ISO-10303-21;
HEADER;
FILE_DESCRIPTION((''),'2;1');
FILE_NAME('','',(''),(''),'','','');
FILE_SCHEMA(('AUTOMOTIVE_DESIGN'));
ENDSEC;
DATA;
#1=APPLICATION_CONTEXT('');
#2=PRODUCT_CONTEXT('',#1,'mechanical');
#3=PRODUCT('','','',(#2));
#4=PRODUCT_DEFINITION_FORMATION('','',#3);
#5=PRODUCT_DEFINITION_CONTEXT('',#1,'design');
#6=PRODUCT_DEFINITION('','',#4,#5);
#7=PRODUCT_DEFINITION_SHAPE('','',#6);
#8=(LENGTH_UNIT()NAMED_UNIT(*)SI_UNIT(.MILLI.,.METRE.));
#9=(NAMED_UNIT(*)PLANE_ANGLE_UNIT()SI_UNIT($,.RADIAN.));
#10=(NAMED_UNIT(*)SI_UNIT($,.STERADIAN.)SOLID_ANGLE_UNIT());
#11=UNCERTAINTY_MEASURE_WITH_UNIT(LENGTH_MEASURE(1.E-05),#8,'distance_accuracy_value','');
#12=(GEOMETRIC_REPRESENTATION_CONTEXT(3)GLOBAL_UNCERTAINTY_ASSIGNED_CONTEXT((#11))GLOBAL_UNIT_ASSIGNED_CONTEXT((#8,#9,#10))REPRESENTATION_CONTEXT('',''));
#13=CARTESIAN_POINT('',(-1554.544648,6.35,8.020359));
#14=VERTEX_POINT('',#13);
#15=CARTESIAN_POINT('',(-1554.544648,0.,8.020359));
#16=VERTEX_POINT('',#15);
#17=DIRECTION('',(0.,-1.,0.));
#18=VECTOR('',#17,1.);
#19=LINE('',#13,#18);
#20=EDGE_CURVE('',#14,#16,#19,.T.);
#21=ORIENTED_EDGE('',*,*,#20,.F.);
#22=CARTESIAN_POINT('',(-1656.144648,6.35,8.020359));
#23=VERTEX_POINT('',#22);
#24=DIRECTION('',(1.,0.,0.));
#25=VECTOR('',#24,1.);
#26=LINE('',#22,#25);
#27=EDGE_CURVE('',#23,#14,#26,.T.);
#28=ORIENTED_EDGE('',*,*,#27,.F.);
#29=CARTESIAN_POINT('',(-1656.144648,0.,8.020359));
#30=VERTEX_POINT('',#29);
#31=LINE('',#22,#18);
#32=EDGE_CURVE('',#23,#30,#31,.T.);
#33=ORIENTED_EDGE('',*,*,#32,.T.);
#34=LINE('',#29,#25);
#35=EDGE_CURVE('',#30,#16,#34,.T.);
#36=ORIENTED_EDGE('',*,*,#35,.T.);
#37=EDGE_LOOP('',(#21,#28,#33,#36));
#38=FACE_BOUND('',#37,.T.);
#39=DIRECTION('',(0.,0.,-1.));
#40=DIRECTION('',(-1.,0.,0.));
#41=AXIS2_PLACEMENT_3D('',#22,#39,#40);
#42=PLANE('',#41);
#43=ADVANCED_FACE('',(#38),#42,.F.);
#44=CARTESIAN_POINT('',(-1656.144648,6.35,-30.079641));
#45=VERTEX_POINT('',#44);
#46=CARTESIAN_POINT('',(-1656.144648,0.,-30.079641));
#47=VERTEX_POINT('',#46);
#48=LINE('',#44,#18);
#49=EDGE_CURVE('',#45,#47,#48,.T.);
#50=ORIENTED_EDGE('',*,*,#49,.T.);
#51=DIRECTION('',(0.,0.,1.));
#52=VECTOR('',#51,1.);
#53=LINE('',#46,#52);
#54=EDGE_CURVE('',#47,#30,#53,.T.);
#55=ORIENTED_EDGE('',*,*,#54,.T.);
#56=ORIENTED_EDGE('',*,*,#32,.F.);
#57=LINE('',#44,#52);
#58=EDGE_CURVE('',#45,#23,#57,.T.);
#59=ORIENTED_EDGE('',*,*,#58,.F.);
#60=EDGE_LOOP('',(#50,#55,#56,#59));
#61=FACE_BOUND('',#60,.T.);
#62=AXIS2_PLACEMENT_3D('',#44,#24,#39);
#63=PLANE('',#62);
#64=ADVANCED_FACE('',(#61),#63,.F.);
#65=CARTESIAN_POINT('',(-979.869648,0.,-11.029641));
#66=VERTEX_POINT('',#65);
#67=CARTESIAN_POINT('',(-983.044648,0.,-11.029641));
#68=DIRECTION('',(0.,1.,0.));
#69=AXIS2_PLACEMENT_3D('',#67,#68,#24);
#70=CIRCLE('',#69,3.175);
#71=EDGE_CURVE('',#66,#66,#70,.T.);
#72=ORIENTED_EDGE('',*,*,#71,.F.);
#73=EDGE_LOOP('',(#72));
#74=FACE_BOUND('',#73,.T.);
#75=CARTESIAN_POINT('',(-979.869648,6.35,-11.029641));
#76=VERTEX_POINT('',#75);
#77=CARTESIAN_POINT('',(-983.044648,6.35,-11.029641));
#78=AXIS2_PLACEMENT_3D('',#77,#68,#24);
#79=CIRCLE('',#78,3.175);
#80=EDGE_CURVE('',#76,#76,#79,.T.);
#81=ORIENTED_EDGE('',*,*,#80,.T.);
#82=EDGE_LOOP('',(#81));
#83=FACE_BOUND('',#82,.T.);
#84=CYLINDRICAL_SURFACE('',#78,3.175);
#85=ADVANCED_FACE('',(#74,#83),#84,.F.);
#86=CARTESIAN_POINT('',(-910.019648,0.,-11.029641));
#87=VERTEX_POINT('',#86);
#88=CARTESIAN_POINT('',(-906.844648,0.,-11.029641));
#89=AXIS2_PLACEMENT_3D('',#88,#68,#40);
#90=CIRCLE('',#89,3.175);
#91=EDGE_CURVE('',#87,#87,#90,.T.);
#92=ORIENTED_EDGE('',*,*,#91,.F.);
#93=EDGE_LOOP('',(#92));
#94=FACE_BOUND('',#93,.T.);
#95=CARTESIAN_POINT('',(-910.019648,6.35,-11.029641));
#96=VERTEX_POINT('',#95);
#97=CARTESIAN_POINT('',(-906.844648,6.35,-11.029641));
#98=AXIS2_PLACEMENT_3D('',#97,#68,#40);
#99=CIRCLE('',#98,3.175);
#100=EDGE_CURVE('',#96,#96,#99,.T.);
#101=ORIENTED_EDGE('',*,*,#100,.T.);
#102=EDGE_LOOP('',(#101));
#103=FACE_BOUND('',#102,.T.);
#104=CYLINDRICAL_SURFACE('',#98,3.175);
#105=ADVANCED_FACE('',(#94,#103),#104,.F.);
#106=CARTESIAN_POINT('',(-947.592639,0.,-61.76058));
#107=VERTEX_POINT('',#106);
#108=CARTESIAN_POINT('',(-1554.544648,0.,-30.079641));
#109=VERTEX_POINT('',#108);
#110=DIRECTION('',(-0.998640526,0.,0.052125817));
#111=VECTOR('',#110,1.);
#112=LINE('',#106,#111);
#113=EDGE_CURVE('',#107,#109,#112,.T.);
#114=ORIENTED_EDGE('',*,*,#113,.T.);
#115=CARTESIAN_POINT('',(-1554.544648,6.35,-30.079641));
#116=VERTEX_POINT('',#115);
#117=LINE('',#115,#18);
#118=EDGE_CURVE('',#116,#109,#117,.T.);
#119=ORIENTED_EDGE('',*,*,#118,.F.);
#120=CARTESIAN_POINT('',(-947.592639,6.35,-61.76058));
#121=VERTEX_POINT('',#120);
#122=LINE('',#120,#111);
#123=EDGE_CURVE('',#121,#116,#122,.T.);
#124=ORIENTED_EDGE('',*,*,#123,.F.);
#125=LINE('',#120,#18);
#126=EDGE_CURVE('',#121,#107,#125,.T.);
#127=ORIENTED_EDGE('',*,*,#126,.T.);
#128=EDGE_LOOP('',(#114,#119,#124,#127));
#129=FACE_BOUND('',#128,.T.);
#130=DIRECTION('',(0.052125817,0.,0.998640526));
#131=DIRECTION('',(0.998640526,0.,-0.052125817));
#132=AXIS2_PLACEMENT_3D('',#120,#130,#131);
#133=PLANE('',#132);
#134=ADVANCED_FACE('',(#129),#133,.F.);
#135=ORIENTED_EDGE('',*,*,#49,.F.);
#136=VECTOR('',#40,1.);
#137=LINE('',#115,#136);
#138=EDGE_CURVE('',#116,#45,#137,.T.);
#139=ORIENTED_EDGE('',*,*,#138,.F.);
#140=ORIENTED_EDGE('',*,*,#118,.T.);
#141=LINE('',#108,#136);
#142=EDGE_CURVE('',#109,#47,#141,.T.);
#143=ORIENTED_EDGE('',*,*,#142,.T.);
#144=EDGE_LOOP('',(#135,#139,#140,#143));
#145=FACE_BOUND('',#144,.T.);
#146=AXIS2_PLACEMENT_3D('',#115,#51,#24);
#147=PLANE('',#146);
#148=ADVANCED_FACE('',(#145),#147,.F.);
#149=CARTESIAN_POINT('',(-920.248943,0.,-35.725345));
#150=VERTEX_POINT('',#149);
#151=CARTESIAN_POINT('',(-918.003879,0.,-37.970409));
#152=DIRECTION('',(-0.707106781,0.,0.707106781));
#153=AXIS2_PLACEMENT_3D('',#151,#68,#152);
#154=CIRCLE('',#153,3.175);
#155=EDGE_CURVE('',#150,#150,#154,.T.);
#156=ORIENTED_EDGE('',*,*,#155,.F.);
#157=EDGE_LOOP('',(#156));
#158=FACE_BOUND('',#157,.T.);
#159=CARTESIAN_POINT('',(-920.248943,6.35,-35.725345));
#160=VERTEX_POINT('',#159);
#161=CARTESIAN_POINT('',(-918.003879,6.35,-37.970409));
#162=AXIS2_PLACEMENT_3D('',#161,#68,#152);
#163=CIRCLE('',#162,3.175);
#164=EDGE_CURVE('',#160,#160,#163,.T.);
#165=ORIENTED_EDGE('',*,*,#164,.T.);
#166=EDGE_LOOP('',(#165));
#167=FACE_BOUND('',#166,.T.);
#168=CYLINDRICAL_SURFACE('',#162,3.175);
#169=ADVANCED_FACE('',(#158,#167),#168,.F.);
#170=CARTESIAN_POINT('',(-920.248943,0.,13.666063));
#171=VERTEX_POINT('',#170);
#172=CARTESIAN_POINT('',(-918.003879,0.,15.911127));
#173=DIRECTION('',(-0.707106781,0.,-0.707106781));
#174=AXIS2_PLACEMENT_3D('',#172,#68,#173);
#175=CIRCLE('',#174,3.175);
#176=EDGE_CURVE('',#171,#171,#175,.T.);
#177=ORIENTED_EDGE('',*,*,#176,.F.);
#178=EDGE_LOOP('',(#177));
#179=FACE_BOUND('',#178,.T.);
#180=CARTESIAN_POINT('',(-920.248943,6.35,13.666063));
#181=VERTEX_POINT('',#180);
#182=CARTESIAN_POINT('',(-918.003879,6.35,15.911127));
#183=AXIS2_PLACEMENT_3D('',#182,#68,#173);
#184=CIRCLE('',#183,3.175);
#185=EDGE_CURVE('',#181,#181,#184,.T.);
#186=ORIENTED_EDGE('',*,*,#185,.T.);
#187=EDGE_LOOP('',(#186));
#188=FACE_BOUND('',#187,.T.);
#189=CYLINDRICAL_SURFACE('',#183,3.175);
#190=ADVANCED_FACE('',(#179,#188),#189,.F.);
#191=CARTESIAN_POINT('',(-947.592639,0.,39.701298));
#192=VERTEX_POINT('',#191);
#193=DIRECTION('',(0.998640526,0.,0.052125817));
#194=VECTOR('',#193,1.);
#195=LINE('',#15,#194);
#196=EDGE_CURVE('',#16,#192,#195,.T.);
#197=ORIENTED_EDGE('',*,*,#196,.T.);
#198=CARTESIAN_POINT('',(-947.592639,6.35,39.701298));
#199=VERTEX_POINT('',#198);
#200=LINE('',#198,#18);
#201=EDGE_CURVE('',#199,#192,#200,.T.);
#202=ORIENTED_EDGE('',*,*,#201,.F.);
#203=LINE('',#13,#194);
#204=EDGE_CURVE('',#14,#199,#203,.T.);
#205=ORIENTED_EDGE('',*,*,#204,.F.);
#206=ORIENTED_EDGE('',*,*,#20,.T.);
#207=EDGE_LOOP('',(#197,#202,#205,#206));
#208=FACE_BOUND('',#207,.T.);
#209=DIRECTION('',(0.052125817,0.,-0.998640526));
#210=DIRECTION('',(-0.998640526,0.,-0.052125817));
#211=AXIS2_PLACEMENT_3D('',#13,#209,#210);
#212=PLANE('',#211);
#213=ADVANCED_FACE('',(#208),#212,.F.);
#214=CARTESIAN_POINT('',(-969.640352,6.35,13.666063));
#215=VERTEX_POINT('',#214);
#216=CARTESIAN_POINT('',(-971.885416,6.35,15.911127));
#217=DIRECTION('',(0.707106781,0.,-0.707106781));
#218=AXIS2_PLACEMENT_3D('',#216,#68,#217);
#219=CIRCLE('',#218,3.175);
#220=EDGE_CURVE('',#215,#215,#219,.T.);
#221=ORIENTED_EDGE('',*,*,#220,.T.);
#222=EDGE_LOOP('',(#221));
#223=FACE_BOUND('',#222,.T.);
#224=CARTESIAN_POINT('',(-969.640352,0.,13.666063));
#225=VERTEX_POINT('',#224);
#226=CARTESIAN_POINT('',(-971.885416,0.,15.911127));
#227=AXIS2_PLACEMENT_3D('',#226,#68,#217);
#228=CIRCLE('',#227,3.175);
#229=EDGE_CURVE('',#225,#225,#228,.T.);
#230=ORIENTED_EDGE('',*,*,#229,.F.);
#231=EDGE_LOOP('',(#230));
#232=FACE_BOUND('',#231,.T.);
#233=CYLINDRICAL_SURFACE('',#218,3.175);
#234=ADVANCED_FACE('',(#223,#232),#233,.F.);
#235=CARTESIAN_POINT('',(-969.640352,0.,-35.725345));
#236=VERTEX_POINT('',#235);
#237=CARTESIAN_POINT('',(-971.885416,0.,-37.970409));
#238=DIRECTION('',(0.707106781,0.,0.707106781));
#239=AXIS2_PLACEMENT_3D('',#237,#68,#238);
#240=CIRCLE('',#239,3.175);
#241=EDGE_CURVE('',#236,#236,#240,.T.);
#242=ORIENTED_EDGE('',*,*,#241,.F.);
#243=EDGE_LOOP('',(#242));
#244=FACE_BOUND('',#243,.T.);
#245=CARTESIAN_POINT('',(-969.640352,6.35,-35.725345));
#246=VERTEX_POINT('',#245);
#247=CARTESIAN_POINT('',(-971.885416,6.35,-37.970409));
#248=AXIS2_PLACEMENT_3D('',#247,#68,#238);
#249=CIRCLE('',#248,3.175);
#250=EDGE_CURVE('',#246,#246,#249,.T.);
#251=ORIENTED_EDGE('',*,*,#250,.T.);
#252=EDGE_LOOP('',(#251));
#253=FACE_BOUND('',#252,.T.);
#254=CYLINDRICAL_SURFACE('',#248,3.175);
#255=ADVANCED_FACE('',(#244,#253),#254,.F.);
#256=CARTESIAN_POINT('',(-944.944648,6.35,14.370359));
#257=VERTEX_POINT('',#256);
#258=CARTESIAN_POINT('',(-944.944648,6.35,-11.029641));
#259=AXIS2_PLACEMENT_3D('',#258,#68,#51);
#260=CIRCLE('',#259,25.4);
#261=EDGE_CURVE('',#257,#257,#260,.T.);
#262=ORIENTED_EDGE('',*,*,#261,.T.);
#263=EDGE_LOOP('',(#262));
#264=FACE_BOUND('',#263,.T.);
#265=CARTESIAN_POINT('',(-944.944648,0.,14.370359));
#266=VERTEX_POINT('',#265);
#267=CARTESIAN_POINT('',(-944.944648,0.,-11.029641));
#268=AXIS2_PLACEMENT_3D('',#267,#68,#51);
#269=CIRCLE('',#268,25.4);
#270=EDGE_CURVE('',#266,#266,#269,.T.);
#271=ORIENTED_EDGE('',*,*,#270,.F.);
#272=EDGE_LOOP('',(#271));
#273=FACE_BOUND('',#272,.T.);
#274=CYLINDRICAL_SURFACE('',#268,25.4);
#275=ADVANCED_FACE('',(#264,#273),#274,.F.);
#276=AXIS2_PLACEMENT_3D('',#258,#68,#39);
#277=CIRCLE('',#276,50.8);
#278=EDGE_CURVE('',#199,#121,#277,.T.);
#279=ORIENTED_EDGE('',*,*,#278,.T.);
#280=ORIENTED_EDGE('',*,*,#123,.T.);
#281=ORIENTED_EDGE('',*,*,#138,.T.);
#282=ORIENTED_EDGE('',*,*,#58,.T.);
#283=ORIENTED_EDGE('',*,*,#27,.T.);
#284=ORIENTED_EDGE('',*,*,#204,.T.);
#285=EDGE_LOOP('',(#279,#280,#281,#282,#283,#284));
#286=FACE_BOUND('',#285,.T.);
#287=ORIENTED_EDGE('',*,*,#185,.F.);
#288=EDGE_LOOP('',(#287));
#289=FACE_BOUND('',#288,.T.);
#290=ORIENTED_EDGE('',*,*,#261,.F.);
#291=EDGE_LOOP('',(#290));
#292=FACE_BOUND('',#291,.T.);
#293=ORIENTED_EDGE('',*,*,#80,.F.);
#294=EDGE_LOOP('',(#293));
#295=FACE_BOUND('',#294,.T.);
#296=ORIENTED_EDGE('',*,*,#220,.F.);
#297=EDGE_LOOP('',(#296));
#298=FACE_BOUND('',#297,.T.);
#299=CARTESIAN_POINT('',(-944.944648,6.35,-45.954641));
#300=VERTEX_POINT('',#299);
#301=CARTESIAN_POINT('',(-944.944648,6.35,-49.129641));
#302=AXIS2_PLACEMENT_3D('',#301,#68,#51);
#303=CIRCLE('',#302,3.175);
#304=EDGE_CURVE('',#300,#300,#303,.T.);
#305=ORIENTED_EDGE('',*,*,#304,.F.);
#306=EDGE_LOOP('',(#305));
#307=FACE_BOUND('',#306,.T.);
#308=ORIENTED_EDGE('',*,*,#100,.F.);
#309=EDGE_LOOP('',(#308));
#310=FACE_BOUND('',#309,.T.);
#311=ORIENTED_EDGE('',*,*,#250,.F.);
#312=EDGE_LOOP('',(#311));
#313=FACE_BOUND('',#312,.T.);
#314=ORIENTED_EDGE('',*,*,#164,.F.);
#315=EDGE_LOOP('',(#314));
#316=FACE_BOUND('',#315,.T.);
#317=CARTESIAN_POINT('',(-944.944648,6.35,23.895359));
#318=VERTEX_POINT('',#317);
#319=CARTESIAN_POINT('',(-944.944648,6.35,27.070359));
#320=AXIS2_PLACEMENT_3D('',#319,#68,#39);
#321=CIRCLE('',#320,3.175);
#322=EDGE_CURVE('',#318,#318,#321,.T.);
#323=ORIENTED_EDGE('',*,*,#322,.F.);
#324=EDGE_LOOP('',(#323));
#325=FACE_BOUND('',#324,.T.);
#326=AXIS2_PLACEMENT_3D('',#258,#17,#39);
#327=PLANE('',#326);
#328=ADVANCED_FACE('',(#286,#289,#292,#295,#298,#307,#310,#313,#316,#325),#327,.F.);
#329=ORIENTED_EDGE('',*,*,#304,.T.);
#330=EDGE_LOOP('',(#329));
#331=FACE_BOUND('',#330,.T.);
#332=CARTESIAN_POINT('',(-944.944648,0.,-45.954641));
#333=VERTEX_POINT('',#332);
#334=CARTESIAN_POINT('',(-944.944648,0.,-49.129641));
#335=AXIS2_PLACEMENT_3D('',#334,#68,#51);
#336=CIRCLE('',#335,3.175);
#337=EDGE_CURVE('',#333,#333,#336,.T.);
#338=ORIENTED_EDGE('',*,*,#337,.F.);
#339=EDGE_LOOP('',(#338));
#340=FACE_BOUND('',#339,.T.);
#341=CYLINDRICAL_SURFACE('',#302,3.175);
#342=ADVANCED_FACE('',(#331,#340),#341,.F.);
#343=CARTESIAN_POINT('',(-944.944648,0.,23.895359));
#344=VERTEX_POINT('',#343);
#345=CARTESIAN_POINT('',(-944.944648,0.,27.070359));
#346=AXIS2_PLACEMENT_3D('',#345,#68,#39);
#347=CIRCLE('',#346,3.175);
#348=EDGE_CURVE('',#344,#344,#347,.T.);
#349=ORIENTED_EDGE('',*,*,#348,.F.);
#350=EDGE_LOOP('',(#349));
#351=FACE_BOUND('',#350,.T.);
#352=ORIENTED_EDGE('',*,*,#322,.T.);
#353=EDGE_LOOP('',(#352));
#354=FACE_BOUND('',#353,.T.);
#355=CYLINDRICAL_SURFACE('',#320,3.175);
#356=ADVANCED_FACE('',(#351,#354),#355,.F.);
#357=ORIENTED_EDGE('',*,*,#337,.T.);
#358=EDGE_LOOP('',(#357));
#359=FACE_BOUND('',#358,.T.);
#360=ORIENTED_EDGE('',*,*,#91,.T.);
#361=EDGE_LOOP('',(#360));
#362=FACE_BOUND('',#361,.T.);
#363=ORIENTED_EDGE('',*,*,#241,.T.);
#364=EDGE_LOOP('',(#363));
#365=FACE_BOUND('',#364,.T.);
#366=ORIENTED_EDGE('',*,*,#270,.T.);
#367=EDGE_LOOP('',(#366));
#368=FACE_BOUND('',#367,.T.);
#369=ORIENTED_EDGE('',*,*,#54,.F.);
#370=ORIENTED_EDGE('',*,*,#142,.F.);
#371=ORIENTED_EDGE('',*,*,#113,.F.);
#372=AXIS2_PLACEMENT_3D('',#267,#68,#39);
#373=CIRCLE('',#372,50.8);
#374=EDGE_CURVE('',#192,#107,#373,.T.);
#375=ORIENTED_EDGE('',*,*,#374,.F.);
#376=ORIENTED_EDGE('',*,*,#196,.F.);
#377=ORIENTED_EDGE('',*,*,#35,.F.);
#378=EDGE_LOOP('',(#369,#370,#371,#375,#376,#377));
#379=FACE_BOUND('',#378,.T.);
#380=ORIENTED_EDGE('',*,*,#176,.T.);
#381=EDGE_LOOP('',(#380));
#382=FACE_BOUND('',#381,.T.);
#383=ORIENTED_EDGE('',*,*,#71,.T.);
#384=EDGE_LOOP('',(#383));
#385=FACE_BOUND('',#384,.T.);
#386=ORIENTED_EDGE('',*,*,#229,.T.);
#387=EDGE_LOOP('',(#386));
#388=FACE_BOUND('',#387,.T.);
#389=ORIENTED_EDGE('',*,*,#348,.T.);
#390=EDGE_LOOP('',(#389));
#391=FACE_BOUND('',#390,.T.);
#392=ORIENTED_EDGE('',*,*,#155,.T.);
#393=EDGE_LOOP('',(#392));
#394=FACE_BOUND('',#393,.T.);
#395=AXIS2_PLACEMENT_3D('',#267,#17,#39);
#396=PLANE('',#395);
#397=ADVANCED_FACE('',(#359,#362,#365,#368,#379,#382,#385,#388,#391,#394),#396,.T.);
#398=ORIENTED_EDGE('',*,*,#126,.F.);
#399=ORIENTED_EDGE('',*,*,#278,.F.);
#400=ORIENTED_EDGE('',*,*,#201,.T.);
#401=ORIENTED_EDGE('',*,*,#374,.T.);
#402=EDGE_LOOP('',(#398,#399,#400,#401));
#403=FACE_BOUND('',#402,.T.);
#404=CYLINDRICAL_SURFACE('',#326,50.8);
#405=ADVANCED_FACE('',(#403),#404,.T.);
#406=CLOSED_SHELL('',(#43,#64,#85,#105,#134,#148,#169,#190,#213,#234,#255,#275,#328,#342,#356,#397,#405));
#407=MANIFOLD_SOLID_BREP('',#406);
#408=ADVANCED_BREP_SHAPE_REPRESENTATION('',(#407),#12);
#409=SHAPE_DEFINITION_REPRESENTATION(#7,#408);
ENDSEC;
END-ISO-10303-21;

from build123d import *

# Parameters (mm, degrees)
BOSS_EXTRUDE1_DEPTH         = 6.35
SKETCH6_R                   = 25.4
CUT_EXTRUDE1_DEPTH          = 1658.310568825
F_1_4_0_25_DIAMETER_HOLE1_D = 6.35
CIRPATTERN1_COUNT           = 8


with BuildPart() as part:
    # Sketch5 → Boss-Extrude1 (new body)
    with BuildSketch(Plane(origin=(0, 0, 0), x_dir=(1, 0, 0), z_dir=(0, 1, 0))):
        with BuildLine():
            Line((-947.592639328, 61.760579697), (-1554.544647829, 30.079641))
            Line((-1554.544647829, 30.079641), (-1656.144647829, 30.079641))
            Line((-1656.144647829, 30.079641), (-1656.144647829, -8.020359))
            Line((-1656.144647829, -8.020359), (-1554.544647829, -8.020359))
            Line((-1554.544647829, -8.020359), (-947.592639328, -39.701297696))
            ThreePointArc((-947.592639328, -39.701297696), (-894.144647829, 11.029641), (-947.592639328, 61.760579697))
        make_face()
    extrude(amount=BOSS_EXTRUDE1_DEPTH)

    # Sketch6 → Cut-Extrude1 (cut, through all)
    with BuildSketch(Plane(origin=(0, 6.35, 0), x_dir=(1, 0, 0), z_dir=(0, 1, 0))):
        with Locations(Location((-944.944647829, 11.029641, 0), (0, 0, 270))):
            Circle(SKETCH6_R)
    extrude(amount=-CUT_EXTRUDE1_DEPTH, mode=Mode.SUBTRACT)

    # 1/4 (0.25) Diameter Hole1 (through all)
    with Locations(Plane(origin=(0, 6.35, 0), x_dir=(1, 0, 0), z_dir=(0, 1, 0))):
        with Locations((-944.944647829, 49.129641)):
            f_1_4_0_25_diameter_hole1 = Hole(F_1_4_0_25_DIAMETER_HOLE1_D / 2)

    # CirPattern1: 1/4 (0.25) Diameter Hole1 ×8 about axis
    cirpattern1_axis = Axis((-944.944647829, 0, -11.029641), (0, 1, 0))
    for i in range(1, CIRPATTERN1_COUNT):
        add(f_1_4_0_25_diameter_hole1.rotate(cirpattern1_axis, i * 360 / CIRPATTERN1_COUNT), mode=Mode.SUBTRACT)


solid = part.part
